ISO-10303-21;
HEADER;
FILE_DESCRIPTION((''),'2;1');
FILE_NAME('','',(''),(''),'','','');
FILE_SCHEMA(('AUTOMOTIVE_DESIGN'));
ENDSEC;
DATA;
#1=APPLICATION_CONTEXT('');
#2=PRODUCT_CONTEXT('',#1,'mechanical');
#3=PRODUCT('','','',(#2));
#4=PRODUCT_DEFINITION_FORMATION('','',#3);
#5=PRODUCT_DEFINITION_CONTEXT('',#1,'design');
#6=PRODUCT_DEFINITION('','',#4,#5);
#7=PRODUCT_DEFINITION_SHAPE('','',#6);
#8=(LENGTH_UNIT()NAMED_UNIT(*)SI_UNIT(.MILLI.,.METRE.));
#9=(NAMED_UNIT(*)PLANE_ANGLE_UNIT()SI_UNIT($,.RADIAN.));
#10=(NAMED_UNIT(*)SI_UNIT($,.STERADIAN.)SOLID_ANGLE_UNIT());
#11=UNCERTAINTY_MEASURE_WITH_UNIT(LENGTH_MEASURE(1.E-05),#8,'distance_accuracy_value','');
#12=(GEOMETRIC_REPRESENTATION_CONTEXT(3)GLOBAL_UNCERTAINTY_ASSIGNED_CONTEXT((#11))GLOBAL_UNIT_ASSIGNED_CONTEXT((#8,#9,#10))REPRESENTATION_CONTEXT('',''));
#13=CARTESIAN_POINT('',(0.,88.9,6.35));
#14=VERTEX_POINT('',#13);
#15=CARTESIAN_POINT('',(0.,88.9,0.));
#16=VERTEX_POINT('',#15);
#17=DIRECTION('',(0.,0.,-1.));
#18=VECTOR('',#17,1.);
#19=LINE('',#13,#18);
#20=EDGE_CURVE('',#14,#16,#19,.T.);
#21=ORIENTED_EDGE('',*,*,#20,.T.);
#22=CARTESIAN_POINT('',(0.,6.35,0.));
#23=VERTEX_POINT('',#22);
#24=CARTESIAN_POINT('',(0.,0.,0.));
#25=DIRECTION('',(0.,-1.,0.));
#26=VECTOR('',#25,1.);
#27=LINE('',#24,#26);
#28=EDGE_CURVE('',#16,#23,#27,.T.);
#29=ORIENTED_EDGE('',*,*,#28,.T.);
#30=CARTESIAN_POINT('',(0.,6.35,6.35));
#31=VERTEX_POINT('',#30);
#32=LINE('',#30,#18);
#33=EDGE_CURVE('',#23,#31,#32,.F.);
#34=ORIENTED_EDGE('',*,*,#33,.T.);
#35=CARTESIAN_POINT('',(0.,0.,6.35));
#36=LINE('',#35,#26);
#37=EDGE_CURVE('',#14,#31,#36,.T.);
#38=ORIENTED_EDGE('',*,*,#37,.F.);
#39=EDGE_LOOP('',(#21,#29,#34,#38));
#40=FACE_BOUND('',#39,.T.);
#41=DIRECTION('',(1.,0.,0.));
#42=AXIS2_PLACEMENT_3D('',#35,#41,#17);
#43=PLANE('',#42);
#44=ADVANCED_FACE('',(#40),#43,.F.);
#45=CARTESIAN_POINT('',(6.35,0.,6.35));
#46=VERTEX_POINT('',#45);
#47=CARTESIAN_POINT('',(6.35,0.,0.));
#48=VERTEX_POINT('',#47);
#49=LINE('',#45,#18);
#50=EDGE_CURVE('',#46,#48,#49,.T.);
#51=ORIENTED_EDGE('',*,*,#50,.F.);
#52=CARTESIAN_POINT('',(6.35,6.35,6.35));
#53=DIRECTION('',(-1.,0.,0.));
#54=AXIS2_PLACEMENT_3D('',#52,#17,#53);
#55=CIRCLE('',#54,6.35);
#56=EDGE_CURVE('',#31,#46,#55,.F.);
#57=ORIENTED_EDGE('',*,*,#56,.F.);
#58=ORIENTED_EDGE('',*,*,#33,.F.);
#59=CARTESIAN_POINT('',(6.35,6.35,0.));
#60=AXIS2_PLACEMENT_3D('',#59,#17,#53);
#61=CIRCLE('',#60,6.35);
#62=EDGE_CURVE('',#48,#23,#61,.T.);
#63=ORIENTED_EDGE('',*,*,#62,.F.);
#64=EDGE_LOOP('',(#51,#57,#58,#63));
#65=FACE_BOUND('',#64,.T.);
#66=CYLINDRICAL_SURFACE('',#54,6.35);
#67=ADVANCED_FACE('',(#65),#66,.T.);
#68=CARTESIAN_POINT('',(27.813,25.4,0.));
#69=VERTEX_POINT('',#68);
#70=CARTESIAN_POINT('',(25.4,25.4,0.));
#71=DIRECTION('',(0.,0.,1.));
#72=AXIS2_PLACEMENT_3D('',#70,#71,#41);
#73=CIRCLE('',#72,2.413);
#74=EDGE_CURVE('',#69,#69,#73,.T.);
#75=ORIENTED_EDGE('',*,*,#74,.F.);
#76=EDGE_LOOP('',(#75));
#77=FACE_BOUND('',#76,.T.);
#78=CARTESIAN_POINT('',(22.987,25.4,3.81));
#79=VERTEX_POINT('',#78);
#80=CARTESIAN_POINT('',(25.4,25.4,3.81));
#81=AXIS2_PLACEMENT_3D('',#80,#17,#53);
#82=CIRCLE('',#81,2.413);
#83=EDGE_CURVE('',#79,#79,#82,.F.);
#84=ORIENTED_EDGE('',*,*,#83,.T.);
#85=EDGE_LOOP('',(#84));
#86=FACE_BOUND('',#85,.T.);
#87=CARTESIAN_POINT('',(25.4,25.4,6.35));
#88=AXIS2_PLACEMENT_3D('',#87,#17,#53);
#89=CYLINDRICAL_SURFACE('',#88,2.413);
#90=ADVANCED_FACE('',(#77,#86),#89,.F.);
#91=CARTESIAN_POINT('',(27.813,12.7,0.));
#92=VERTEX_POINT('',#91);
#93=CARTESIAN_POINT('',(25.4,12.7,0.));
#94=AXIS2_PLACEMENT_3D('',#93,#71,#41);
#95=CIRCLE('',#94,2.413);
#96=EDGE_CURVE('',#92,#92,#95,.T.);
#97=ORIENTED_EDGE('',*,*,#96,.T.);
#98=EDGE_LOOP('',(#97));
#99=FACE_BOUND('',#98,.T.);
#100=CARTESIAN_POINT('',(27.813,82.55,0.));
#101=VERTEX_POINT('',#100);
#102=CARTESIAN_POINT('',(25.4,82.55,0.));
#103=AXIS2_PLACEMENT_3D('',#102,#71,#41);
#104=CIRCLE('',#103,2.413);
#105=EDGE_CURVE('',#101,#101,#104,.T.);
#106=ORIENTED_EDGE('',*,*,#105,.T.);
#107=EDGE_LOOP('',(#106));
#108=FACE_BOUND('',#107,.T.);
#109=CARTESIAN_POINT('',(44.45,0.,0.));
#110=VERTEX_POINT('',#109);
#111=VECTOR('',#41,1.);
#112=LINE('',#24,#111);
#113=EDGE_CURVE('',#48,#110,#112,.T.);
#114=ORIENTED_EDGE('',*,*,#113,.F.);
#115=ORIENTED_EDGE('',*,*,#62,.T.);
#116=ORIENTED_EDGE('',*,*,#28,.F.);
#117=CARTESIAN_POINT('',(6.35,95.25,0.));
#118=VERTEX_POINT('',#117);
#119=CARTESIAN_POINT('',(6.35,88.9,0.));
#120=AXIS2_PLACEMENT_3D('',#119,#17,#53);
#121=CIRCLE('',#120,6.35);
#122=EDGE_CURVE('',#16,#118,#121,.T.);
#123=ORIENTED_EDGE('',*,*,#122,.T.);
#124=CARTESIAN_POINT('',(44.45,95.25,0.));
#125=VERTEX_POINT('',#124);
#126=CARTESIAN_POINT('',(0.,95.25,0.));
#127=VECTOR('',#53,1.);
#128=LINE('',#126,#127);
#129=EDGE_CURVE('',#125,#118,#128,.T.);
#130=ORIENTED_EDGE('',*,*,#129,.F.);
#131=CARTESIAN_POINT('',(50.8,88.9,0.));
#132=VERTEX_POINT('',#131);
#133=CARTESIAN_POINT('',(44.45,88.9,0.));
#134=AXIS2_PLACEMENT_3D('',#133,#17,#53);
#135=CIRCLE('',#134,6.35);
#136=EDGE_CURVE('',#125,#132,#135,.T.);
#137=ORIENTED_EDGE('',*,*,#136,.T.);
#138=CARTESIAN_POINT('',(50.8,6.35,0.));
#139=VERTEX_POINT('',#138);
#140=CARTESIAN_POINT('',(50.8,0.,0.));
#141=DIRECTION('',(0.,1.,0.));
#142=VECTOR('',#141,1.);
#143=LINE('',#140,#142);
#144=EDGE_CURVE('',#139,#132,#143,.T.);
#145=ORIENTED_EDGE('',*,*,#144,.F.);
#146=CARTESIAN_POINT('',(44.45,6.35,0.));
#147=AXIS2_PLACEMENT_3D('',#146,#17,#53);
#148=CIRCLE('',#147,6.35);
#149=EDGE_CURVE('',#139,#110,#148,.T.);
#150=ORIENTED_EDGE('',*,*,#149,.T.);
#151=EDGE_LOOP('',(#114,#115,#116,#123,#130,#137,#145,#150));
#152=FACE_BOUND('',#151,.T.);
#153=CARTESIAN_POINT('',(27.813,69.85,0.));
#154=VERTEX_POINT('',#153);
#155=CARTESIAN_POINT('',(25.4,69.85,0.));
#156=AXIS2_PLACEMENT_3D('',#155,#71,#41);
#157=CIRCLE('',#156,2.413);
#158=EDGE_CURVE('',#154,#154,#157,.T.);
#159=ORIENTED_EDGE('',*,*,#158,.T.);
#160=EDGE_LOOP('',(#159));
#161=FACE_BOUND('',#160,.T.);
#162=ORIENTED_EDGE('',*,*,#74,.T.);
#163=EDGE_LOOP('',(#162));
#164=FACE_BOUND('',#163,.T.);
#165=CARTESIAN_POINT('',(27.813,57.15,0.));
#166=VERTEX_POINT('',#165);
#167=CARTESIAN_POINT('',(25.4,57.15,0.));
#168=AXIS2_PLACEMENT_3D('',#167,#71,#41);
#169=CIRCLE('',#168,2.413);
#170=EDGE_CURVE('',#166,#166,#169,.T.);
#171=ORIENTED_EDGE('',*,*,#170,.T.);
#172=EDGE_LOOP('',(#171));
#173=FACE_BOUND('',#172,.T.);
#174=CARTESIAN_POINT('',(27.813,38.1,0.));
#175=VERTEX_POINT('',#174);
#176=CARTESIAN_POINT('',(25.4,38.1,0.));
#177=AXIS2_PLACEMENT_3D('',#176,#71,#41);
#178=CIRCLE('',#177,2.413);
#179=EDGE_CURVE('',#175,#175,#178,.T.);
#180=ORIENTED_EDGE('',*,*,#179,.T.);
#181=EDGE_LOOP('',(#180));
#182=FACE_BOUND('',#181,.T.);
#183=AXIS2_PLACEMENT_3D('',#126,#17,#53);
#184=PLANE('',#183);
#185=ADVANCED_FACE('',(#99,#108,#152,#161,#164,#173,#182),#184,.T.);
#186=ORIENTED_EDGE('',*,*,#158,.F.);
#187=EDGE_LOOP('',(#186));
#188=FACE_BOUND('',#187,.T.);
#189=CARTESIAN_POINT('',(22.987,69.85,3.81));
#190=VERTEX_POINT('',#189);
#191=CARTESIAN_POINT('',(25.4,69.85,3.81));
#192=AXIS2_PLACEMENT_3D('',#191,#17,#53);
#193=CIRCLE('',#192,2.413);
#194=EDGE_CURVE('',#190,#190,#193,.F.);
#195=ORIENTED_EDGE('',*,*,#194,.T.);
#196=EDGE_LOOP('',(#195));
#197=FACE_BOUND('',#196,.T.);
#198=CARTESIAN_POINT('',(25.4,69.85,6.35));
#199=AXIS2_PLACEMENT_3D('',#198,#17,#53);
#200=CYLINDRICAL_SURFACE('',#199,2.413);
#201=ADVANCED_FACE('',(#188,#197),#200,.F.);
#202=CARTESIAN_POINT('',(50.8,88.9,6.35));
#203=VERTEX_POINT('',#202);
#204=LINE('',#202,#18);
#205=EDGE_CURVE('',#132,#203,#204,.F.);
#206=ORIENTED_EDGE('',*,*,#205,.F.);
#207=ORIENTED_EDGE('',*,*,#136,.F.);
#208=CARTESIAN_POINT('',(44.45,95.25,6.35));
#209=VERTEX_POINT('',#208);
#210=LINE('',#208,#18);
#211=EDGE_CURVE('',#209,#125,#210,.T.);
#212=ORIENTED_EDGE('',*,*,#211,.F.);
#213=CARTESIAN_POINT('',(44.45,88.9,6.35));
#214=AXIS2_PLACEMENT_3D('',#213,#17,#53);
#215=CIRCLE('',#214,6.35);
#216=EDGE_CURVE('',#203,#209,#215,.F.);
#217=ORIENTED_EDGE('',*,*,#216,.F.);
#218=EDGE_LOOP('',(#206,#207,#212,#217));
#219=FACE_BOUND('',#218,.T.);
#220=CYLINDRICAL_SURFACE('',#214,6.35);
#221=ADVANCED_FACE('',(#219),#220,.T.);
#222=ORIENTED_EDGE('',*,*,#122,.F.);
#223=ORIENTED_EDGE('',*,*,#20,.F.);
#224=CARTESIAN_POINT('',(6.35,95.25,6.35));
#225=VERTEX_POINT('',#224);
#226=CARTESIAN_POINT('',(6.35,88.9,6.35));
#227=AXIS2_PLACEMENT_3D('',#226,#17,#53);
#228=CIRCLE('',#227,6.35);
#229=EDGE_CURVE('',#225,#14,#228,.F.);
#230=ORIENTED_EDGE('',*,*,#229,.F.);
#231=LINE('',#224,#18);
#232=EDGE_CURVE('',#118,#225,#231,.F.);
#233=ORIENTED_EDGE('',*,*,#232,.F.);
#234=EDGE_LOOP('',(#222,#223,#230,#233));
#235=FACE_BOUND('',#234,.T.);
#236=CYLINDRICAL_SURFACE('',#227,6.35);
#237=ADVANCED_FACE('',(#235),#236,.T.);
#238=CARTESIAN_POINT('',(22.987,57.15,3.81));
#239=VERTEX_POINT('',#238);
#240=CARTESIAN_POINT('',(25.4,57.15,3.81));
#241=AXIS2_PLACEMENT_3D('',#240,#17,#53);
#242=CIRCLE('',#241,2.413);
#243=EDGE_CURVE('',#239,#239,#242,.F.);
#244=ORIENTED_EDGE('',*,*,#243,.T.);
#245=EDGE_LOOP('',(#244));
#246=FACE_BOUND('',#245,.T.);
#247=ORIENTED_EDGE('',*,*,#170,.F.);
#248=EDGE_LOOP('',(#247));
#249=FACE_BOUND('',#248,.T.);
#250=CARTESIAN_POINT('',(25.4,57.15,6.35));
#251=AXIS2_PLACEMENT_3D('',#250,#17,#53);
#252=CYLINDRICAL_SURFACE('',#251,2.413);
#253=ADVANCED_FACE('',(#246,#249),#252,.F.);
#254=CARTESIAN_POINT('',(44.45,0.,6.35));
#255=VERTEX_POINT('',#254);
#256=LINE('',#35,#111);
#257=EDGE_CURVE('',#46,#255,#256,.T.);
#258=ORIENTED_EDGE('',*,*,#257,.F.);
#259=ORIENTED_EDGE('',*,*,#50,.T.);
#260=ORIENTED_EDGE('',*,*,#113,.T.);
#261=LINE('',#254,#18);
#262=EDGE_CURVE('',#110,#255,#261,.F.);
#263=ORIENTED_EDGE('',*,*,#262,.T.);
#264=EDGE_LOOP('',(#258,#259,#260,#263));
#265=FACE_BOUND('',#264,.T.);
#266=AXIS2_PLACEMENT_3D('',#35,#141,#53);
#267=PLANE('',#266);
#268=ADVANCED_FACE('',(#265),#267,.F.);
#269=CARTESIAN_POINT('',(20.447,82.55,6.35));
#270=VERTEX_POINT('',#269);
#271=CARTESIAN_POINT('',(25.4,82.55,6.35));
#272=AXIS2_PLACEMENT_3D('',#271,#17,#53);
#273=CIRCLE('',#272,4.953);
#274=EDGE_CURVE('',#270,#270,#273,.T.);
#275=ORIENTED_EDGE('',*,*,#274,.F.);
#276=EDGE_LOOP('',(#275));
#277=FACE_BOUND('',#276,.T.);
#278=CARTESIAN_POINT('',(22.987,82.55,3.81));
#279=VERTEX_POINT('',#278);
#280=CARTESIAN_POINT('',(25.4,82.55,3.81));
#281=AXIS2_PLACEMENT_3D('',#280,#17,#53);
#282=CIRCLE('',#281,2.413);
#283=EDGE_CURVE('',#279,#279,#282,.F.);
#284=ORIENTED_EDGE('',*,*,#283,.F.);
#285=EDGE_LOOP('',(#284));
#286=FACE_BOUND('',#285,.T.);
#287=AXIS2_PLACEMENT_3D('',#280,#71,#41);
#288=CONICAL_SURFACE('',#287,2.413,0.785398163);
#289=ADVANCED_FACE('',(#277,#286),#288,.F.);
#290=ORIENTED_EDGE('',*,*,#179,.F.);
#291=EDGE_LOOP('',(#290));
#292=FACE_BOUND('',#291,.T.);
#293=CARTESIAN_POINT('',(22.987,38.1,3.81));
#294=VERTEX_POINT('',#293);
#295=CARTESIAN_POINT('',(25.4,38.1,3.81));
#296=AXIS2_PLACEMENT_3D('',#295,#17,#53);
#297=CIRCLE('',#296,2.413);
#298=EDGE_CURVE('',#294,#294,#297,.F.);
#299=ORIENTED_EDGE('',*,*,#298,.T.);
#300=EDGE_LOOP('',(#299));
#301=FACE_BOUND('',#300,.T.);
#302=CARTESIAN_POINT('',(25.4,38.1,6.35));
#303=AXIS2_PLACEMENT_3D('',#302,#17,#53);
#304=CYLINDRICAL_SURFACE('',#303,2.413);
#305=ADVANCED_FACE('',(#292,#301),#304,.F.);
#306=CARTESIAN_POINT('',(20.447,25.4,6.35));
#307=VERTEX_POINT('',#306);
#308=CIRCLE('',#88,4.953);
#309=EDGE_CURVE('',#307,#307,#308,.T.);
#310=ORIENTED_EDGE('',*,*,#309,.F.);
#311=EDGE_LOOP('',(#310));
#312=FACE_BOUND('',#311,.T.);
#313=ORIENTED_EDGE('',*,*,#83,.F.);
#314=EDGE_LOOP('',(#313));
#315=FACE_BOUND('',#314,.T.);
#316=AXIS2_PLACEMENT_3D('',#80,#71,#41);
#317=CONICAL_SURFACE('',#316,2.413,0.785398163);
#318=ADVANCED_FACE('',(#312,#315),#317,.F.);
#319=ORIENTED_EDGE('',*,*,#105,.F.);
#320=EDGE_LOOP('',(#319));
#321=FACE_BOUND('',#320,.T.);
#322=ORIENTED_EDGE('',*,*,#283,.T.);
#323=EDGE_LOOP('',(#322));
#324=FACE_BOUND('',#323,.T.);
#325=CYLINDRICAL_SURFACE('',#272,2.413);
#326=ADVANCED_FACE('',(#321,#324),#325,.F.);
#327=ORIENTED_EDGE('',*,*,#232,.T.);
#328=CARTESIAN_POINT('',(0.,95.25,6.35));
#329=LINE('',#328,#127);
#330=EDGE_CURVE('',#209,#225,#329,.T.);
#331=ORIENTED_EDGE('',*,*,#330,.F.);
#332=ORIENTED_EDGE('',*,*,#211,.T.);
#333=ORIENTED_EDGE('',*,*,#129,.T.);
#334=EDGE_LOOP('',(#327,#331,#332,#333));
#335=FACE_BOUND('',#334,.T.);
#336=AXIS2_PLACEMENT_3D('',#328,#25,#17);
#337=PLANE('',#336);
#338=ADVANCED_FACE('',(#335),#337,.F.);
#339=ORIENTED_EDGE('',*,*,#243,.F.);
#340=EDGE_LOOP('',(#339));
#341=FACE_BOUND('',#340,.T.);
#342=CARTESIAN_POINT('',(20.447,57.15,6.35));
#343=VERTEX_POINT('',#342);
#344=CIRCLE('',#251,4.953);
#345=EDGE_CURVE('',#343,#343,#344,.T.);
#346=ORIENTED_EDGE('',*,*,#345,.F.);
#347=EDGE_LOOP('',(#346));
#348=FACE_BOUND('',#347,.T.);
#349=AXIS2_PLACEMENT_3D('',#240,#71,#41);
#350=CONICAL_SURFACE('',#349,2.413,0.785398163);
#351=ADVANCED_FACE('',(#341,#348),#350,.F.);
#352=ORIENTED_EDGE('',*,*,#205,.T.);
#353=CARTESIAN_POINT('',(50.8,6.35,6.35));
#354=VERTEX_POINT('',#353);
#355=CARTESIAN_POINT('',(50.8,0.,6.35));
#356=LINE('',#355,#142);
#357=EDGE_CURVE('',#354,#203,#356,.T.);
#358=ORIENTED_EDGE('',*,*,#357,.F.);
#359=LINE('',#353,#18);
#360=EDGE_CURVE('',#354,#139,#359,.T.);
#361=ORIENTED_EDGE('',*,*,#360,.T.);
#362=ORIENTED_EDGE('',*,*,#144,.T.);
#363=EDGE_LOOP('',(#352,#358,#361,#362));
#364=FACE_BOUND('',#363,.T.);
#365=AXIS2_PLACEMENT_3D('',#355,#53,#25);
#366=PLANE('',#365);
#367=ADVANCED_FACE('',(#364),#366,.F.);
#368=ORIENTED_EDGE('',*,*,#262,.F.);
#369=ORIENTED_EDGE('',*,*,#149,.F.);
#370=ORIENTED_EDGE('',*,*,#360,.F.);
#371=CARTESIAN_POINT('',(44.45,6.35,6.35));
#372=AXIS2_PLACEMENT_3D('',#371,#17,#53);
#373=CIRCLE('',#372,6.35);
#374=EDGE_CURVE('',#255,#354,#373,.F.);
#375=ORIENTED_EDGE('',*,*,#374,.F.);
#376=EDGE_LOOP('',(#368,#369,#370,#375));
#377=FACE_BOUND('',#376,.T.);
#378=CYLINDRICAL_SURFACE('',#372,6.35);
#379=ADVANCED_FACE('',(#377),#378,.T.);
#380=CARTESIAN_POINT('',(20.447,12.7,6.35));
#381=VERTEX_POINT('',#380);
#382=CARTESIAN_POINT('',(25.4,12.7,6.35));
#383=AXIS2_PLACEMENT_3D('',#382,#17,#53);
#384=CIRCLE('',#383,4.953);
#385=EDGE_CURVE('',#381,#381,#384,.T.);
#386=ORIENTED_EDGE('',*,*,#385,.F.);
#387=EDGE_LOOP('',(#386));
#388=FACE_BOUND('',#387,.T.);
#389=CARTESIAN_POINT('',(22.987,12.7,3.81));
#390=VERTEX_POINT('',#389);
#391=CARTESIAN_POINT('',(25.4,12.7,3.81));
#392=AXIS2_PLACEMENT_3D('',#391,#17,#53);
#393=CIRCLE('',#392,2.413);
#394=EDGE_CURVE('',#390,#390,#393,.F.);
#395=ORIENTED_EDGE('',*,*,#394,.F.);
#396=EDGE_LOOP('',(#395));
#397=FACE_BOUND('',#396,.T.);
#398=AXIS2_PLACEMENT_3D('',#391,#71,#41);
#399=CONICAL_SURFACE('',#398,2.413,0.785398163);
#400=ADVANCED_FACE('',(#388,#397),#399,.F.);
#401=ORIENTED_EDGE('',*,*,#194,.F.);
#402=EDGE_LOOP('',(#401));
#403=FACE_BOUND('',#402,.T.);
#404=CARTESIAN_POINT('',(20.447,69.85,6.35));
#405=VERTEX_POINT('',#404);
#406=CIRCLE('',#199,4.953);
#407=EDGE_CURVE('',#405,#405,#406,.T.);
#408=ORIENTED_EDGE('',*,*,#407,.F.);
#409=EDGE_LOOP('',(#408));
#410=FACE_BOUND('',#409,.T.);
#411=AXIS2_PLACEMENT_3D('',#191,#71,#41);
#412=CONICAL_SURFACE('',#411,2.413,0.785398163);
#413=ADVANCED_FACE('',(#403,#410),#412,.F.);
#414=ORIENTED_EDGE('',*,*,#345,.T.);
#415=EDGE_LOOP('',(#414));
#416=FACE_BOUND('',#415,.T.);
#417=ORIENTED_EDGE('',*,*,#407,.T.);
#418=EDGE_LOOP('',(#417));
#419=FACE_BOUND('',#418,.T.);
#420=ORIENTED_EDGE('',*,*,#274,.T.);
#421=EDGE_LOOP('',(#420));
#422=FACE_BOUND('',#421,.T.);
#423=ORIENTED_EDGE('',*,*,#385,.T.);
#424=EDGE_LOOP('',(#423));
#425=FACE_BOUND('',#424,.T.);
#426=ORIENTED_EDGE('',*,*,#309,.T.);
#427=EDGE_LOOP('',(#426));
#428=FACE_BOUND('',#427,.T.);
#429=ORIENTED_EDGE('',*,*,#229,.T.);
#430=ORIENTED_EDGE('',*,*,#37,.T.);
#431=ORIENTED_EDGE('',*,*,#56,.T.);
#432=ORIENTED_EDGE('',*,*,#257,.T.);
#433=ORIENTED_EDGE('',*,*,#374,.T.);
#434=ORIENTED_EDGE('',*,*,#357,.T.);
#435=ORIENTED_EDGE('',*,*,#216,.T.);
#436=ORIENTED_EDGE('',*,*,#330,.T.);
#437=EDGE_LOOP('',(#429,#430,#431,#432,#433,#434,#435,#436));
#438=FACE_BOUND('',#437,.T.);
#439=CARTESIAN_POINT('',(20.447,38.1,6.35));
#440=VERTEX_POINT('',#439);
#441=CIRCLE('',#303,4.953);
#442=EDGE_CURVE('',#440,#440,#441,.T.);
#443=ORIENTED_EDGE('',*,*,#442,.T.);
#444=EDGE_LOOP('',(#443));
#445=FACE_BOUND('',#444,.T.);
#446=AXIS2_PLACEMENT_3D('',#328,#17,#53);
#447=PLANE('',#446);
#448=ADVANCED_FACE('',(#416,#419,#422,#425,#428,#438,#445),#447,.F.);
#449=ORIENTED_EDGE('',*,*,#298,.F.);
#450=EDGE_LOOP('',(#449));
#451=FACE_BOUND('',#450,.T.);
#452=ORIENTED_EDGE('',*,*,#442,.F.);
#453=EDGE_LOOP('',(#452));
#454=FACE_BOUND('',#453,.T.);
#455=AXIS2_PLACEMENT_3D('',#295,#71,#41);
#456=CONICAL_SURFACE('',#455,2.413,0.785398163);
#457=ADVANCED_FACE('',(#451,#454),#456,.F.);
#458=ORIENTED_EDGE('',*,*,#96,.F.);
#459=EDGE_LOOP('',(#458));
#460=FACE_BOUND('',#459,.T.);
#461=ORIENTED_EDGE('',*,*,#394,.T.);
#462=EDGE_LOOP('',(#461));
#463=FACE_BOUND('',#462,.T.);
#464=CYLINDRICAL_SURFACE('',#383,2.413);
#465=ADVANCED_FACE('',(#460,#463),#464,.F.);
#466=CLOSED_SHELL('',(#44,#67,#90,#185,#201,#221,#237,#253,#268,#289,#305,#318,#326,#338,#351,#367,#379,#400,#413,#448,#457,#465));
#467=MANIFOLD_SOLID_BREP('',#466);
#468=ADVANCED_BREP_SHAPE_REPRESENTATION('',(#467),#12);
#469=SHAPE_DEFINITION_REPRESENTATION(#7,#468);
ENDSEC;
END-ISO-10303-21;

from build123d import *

# Parameters (mm, degrees)
SKETCH1_W           = 50.8
SKETCH1_H           = 95.25
SKETCH1_R           = 2.413
BOSS_EXTRUDE1_DEPTH = 6.35
FILLET1_R           = 6.35
CHAMFER1_SIZE       = 2.54


with BuildPart() as part:
    # Sketch1 → Boss-Extrude1 (new body)
    with BuildSketch(Plane.XY):
        with Locations((25.4, 47.625)):
            Rectangle(SKETCH1_W, SKETCH1_H)
        with Locations((25.4, 69.85)):
            Circle(SKETCH1_R, mode=Mode.SUBTRACT)
        with Locations((25.4, 25.4)):
            Circle(SKETCH1_R, mode=Mode.SUBTRACT)
        with Locations((25.4, 57.15)):
            Circle(SKETCH1_R, mode=Mode.SUBTRACT)
        with Locations((25.4, 12.7)):
            Circle(SKETCH1_R, mode=Mode.SUBTRACT)
        with Locations((25.4, 38.1)):
            Circle(SKETCH1_R, mode=Mode.SUBTRACT)
        with Locations((25.4, 82.55)):
            Circle(SKETCH1_R, mode=Mode.SUBTRACT)
    extrude(amount=BOSS_EXTRUDE1_DEPTH)

    # Fillet1
    fillet1_edges = [part.edges().sort_by_distance(p)[0] for p in [
        (0, 95.25, 3.175),
        (50.8, 95.25, 3.175),
        (50.8, 0, 3.175),
        (0, 0, 3.175),
    ]]
    fillet(fillet1_edges, radius=FILLET1_R)

    # Chamfer1
    chamfer1_edges = [part.edges().sort_by_distance(p)[0] for p in [
        (22.987, 69.85, 6.35),
        (22.987, 25.4, 6.35),
        (22.987, 57.15, 6.35),
        (22.987, 12.7, 6.35),
        (22.987, 38.1, 6.35),
        (22.987, 82.55, 6.35),
    ]]
    chamfer(chamfer1_edges, length=CHAMFER1_SIZE)


solid = part.part
